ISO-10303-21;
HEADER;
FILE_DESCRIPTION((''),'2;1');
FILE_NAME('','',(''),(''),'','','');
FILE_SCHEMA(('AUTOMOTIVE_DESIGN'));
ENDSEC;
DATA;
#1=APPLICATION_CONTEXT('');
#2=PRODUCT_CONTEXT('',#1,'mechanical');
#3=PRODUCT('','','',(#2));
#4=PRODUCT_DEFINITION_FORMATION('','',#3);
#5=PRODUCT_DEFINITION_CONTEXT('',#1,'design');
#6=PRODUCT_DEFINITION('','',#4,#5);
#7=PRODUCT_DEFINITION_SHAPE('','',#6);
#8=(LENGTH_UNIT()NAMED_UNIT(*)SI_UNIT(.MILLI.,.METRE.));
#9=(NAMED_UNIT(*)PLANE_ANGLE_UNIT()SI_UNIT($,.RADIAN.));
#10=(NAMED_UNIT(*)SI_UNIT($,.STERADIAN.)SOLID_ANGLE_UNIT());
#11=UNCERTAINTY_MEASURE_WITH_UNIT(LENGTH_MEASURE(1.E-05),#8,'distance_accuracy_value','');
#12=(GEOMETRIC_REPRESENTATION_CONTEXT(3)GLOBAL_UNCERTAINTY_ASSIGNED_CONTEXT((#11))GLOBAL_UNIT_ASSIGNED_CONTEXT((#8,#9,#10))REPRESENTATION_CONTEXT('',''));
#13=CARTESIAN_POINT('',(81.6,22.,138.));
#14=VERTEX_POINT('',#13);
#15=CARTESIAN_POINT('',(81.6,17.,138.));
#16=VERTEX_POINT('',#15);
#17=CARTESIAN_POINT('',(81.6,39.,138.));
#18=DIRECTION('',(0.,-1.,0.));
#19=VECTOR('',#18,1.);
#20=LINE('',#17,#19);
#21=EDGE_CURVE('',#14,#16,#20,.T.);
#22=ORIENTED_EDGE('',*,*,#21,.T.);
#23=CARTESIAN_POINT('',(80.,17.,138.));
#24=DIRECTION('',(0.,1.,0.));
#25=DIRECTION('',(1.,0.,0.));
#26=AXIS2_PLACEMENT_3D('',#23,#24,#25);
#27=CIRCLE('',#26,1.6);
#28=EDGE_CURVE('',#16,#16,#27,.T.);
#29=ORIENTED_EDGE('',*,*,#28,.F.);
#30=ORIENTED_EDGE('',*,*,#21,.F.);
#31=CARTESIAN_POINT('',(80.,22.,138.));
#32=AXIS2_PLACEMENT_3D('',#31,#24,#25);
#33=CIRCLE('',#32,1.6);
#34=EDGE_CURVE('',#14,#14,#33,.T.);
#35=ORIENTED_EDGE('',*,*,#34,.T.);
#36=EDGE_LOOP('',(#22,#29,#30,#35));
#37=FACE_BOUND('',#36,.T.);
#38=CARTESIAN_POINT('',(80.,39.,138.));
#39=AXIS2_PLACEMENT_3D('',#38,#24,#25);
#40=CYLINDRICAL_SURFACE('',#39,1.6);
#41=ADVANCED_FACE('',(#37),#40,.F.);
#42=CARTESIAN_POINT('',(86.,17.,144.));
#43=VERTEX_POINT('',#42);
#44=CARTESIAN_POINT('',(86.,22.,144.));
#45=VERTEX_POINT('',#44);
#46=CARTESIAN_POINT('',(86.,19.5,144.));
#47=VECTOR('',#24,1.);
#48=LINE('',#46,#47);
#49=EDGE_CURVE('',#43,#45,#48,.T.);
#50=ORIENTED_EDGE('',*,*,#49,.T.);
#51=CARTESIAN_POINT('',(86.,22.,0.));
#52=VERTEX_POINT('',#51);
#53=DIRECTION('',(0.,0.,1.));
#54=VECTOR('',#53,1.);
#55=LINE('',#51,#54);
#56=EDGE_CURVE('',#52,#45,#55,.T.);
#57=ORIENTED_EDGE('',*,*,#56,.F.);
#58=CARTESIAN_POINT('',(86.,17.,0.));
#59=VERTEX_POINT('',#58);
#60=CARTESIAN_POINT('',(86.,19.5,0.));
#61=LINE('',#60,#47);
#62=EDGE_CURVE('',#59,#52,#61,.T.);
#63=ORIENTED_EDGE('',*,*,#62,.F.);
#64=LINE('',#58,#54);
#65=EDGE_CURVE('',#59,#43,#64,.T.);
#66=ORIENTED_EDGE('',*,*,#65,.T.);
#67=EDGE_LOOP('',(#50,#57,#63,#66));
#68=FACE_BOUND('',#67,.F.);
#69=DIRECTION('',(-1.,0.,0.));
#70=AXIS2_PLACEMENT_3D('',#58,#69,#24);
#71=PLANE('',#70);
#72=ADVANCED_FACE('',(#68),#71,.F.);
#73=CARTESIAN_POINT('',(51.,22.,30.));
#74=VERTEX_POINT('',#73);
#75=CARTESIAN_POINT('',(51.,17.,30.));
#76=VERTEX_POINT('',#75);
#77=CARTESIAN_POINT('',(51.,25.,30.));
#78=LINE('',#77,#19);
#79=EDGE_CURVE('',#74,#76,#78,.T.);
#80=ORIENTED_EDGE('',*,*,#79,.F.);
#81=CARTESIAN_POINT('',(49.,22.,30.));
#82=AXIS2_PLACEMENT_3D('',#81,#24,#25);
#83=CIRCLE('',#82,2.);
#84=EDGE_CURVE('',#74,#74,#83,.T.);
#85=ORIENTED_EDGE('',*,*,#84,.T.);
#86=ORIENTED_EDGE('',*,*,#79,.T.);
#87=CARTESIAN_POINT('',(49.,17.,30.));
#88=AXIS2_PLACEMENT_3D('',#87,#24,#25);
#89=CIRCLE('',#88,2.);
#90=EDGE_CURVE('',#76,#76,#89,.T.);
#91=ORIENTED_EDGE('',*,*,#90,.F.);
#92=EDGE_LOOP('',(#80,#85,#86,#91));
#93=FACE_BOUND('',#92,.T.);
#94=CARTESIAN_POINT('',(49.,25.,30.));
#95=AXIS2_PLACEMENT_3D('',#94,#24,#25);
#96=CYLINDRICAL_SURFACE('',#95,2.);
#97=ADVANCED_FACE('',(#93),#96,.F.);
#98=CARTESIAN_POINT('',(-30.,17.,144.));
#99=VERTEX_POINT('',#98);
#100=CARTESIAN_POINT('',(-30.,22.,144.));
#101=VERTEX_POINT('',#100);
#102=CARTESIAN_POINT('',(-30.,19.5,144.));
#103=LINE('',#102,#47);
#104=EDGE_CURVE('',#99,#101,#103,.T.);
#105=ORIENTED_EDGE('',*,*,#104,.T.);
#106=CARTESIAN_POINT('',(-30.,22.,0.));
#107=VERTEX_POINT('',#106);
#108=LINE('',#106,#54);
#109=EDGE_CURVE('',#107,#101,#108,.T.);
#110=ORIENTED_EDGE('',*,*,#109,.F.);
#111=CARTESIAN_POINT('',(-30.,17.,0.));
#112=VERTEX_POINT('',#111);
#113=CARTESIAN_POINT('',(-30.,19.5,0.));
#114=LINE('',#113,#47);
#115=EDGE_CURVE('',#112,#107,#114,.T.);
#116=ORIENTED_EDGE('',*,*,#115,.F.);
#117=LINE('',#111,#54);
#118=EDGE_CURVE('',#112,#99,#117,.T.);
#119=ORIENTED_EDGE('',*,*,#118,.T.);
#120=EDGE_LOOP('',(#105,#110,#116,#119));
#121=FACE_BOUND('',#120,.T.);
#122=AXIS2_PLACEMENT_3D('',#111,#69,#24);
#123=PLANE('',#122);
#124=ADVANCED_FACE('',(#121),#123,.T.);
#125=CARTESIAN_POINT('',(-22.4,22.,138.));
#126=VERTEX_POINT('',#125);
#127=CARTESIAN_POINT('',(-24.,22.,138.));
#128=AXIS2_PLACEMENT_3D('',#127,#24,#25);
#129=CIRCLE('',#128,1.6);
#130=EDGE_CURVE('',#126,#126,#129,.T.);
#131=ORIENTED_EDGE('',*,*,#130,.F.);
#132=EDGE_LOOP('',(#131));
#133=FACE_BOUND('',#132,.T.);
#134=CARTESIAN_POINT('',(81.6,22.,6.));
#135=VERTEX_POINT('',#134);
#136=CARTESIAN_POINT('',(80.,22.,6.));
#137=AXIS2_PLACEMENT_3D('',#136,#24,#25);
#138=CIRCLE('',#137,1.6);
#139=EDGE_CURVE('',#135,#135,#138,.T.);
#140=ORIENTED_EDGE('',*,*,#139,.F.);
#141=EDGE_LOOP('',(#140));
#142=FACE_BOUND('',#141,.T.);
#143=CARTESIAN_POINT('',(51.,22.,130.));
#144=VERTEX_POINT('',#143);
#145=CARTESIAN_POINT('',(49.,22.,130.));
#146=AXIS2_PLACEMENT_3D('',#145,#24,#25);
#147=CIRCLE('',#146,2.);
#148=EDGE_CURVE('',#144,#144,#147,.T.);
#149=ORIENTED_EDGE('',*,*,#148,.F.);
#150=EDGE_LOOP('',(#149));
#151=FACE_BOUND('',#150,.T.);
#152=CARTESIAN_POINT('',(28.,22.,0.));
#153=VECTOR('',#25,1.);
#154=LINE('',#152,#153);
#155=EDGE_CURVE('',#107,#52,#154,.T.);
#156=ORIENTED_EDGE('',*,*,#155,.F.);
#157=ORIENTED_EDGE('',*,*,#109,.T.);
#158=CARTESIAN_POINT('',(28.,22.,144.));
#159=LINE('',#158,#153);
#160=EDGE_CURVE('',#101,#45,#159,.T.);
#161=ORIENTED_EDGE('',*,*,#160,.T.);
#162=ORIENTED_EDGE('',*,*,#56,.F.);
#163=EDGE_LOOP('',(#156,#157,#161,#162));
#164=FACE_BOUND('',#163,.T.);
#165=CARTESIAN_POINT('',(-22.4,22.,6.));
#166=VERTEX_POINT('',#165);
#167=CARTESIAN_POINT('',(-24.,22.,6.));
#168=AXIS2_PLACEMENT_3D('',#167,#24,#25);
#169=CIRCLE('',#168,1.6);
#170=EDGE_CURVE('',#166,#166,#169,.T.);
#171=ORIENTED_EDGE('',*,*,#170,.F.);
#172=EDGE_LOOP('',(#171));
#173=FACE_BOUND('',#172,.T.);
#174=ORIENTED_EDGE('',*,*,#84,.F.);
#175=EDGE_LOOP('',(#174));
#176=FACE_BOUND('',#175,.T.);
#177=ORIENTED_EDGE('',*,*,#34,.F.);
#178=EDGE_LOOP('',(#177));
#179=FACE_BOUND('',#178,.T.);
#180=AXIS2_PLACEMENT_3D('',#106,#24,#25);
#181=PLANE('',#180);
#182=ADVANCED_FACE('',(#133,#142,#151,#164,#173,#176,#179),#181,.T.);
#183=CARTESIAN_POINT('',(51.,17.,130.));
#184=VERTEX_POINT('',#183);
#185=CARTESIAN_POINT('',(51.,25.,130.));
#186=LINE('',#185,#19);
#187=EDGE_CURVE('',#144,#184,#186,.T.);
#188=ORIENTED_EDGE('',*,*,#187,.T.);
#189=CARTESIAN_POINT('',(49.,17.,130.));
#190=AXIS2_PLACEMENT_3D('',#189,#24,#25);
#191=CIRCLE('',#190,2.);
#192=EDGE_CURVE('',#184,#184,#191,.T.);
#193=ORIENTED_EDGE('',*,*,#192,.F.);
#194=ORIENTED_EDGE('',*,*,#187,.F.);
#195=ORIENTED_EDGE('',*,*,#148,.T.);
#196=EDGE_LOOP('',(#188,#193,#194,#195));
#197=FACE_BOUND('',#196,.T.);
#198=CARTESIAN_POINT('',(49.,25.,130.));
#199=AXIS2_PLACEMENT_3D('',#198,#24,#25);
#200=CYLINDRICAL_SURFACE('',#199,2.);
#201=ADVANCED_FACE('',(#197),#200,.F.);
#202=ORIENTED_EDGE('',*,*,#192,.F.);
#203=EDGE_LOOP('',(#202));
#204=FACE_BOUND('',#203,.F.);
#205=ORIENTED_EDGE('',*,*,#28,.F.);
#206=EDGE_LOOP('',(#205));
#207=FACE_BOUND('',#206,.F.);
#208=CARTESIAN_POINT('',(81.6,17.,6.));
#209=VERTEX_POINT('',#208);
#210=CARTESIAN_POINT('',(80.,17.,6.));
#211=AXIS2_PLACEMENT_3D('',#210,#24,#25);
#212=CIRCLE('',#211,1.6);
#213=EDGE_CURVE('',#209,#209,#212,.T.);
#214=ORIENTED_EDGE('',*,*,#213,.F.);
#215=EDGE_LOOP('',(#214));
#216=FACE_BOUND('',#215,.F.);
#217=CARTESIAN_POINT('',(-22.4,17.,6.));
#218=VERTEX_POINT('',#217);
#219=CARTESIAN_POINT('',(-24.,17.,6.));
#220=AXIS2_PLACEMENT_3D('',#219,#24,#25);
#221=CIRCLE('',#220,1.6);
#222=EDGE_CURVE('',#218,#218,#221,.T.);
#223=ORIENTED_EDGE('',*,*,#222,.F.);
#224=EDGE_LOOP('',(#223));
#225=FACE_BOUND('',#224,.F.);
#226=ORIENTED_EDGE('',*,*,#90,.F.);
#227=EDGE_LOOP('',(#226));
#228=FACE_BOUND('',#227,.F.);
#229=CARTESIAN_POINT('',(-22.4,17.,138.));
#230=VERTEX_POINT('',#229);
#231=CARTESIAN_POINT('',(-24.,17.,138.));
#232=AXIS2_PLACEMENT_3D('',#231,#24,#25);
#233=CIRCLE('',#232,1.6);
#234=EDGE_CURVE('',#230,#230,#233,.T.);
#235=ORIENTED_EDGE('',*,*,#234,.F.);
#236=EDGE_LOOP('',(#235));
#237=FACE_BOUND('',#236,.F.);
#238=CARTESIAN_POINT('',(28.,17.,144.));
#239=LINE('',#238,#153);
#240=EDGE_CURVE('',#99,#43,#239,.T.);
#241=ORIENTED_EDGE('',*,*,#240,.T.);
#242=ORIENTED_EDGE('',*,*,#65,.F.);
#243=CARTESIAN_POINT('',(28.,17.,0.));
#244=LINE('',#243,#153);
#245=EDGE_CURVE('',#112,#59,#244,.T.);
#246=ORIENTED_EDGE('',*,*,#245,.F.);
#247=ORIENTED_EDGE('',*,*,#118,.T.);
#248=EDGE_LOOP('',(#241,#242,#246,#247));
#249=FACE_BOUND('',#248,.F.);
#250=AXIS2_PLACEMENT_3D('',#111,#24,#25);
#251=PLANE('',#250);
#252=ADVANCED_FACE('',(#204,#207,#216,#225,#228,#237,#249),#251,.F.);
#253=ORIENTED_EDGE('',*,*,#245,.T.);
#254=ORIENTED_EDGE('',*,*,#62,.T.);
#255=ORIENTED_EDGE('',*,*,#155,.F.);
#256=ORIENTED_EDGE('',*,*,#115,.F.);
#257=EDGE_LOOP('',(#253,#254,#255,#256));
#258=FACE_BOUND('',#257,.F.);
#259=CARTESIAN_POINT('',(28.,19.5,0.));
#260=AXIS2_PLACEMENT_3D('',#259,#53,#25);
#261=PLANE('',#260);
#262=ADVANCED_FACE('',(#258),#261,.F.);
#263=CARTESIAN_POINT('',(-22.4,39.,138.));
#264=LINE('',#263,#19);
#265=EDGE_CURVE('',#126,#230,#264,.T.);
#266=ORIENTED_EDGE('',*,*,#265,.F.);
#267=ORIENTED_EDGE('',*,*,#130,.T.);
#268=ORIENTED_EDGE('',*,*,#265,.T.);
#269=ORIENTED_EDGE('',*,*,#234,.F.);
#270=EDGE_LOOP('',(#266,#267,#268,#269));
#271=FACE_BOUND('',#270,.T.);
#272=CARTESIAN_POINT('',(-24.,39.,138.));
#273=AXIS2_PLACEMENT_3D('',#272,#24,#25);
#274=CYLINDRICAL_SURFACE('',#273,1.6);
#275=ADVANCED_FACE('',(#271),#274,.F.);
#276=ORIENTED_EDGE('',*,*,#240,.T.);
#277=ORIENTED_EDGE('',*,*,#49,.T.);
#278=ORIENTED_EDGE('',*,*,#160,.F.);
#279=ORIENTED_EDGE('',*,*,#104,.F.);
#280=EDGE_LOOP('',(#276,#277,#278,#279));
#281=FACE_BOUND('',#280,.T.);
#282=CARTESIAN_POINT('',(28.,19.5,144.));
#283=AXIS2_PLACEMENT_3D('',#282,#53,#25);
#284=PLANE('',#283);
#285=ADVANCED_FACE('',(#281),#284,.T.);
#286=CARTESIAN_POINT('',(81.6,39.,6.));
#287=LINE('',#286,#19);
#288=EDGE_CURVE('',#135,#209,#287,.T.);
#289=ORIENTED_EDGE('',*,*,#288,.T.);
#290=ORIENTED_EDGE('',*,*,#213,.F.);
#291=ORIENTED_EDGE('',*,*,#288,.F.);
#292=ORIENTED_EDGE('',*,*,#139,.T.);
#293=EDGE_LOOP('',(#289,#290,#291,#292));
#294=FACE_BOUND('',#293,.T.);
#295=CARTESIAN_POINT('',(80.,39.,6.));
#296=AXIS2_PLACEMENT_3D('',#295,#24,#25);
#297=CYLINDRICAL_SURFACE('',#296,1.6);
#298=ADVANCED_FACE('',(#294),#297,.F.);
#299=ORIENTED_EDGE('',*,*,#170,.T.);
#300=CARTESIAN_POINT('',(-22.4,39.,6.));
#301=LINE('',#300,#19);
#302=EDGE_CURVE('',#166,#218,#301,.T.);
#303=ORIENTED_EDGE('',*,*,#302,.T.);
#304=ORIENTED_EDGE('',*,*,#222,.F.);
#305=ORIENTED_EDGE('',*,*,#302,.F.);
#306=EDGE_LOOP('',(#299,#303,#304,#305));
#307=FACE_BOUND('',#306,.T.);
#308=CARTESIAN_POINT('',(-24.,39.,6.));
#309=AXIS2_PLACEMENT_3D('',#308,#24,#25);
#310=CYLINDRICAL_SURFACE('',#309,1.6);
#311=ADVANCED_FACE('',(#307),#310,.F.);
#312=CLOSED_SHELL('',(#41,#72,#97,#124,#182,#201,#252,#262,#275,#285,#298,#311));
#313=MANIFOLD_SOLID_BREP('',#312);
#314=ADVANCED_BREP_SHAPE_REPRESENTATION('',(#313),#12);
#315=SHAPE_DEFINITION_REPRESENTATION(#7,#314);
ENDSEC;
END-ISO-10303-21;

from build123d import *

# Parameters (mm, degrees)
CYLINDER095_R           = 2
CYLINDER095_DEPTH       = 10
CYLINDER095_ROLL_ANGLE  = 90
CYLINDER098_R           = 2
CYLINDER098_DEPTH       = 10
CYLINDER098_ROLL_ANGLE  = 90
CYLINDER019_R           = 1.6
CYLINDER019_DEPTH       = 40
CYLINDER019_PITCH_ANGLE = 90
CYLINDER018_R           = 1.6
CYLINDER018_DEPTH       = 40
CYLINDER018_PITCH_ANGLE = 90
CYLINDER017_R           = 1.6
CYLINDER017_DEPTH       = 40
CYLINDER016_R           = 1.6
CYLINDER016_DEPTH       = 70
CYLINDER016_ROLL_ANGLE  = 90
CYLINDER015_R           = 1.6
CYLINDER015_DEPTH       = 40
BOX018_W                = 116
BOX018_H                = 5
BOX018_DEPTH            = 144


with BuildPart() as cylinder372:
    # Cylinder095 → Cylinder095 (new body)
    with BuildSketch(Plane.XY):
        Circle(CYLINDER095_R)
    extrude(amount=CYLINDER095_DEPTH)


with BuildPart() as cylinder372_1:
    # Cylinder095 roll: moved
    add(cylinder372.part.rotate(Axis((0, 0, 0), (1, 0, 0)), CYLINDER095_ROLL_ANGLE))


with BuildPart() as cylinder372_2:
    # Cylinder095 placement: moved
    add(cylinder372_1.part.moved(Location((49, 25, 30))))


with BuildPart() as cylinder375:
    # Cylinder098 → Cylinder098 (new body)
    with BuildSketch(Plane.XY):
        Circle(CYLINDER098_R)
    extrude(amount=CYLINDER098_DEPTH)


with BuildPart() as cylinder375_1:
    # Cylinder098 roll: moved
    add(cylinder375.part.rotate(Axis((0, 0, 0), (1, 0, 0)), CYLINDER098_ROLL_ANGLE))


with BuildPart() as cylinder375_2:
    # Cylinder098 placement: moved
    add(cylinder375_1.part.moved(Location((49, 25, 130))))


with BuildPart() as cylinder100:
    # Cylinder019 → Cylinder019 (new body)
    with BuildSketch(Plane.XY):
        Circle(CYLINDER019_R)
    extrude(amount=CYLINDER019_DEPTH)


with BuildPart() as cylinder100_1:
    # Cylinder019 pitch: moved
    add(cylinder100.part.rotate(Axis((0, 0, 0), (0, 1, 0)), CYLINDER019_PITCH_ANGLE))


with BuildPart() as cylinder100_2:
    # Cylinder019 placement: moved
    add(cylinder100_1.part.moved(Location((-40, 12, 9.5))))


with BuildPart() as fusion011:
    # Cylinder018 → Cylinder018 (new body)
    with BuildSketch(Plane.XY):
        Circle(CYLINDER018_R)
    extrude(amount=CYLINDER018_DEPTH)


with BuildPart() as fusion011_1:
    # Cylinder018 pitch: moved
    add(fusion011.part.rotate(Axis((0, 0, 0), (0, 1, 0)), CYLINDER018_PITCH_ANGLE))


with BuildPart() as fusion011_2:
    # Cylinder018 placement: moved
    add(fusion011_1.part.moved(Location((-40, -7, 2.5))))

    # Fusion011: union Cylinder100
    add(cylinder100_2.part)


with BuildPart() as fusion012:
    # Cylinder017 → Cylinder017 (new body)
    with BuildSketch(Plane(origin=(-27.5, 7, -15), x_dir=(1, 0, 0), z_dir=(0, 0, 1))):
        Circle(CYLINDER017_R)
    extrude(amount=CYLINDER017_DEPTH)

    # Fusion012: union Fusion011
    add(fusion011_2.part)


with BuildPart() as fusion013:
    # Cylinder016 → Cylinder016 (new body)
    with BuildSketch(Plane.XY):
        Circle(CYLINDER016_R)
    extrude(amount=CYLINDER016_DEPTH)


with BuildPart() as fusion013_1:
    # Cylinder016 roll: moved
    add(fusion013.part.rotate(Axis((0, 0, 0), (1, 0, 0)), CYLINDER016_ROLL_ANGLE))


with BuildPart() as fusion013_2:
    # Cylinder016 placement: moved
    add(fusion013_1.part.moved(Location((-24, 39, 6))))

    # Fusion013: union Fusion012
    add(fusion012.part)


with BuildPart() as cylinder008:
    # Cylinder015 → Cylinder015 (new body)
    with BuildSketch(Plane(origin=(-20.5, -12, -15), x_dir=(1, 0, 0), z_dir=(0, 0, 1))):
        Circle(CYLINDER015_R)
    extrude(amount=CYLINDER015_DEPTH)


with BuildPart() as face_corner_holes003:
    # Fusion017 base: copy of Cylinder008
    add(cylinder008.part)

    # Fusion017: union Fusion013
    add(fusion013_2.part)


with BuildPart() as face_corner_holes003_1:
    # Fusion017 placement: moved
    add(face_corner_holes003.part.moved(Location((104, 0, 132))))


with BuildPart() as face_corner_holes012:
    # Fusion026 base: copy of Cylinder008
    add(cylinder008.part)

    # Fusion026: union Fusion013
    add(fusion013_2.part)


with BuildPart() as face_corner_holes012_1:
    # Fusion026 placement: moved
    add(face_corner_holes012.part.moved(Location((0, 0, 132))))


with BuildPart() as face_corner_holes009:
    # Fusion023 base: copy of Cylinder008
    add(cylinder008.part)

    # Fusion023: union Fusion013
    add(fusion013_2.part)


with BuildPart() as face_corner_holes009_1:
    # Fusion023 placement: moved
    add(face_corner_holes009.part.moved(Location((104, 0, 0))))


with BuildPart() as face_corner_holes006:
    # Fusion020 base: copy of Cylinder008
    add(cylinder008.part)

    # Fusion020: union Fusion013
    add(fusion013_2.part)


with BuildPart() as front_a:
    # Box018 → Box018 (new body)
    with BuildSketch(Plane(origin=(-30, 17, 0), x_dir=(1, 0, 0), z_dir=(0, 0, 1))):
        with Locations((58, 2.5)):
            Rectangle(BOX018_W, BOX018_H)
    extrude(amount=BOX018_DEPTH)

    # Cut015: cut face-corner-holes006
    add(face_corner_holes006.part, mode=Mode.SUBTRACT)

    # Cut019: cut face-corner-holes009
    add(face_corner_holes009_1.part, mode=Mode.SUBTRACT)

    # Cut023: cut face-corner-holes012
    add(face_corner_holes012_1.part, mode=Mode.SUBTRACT)

    # Cut026: cut face-corner-holes003
    add(face_corner_holes003_1.part, mode=Mode.SUBTRACT)

    # Cut059: cut Cylinder375
    add(cylinder375_2.part, mode=Mode.SUBTRACT)

    # Cut060: cut Cylinder372
    add(cylinder372_2.part, mode=Mode.SUBTRACT)


solid = front_a.part
